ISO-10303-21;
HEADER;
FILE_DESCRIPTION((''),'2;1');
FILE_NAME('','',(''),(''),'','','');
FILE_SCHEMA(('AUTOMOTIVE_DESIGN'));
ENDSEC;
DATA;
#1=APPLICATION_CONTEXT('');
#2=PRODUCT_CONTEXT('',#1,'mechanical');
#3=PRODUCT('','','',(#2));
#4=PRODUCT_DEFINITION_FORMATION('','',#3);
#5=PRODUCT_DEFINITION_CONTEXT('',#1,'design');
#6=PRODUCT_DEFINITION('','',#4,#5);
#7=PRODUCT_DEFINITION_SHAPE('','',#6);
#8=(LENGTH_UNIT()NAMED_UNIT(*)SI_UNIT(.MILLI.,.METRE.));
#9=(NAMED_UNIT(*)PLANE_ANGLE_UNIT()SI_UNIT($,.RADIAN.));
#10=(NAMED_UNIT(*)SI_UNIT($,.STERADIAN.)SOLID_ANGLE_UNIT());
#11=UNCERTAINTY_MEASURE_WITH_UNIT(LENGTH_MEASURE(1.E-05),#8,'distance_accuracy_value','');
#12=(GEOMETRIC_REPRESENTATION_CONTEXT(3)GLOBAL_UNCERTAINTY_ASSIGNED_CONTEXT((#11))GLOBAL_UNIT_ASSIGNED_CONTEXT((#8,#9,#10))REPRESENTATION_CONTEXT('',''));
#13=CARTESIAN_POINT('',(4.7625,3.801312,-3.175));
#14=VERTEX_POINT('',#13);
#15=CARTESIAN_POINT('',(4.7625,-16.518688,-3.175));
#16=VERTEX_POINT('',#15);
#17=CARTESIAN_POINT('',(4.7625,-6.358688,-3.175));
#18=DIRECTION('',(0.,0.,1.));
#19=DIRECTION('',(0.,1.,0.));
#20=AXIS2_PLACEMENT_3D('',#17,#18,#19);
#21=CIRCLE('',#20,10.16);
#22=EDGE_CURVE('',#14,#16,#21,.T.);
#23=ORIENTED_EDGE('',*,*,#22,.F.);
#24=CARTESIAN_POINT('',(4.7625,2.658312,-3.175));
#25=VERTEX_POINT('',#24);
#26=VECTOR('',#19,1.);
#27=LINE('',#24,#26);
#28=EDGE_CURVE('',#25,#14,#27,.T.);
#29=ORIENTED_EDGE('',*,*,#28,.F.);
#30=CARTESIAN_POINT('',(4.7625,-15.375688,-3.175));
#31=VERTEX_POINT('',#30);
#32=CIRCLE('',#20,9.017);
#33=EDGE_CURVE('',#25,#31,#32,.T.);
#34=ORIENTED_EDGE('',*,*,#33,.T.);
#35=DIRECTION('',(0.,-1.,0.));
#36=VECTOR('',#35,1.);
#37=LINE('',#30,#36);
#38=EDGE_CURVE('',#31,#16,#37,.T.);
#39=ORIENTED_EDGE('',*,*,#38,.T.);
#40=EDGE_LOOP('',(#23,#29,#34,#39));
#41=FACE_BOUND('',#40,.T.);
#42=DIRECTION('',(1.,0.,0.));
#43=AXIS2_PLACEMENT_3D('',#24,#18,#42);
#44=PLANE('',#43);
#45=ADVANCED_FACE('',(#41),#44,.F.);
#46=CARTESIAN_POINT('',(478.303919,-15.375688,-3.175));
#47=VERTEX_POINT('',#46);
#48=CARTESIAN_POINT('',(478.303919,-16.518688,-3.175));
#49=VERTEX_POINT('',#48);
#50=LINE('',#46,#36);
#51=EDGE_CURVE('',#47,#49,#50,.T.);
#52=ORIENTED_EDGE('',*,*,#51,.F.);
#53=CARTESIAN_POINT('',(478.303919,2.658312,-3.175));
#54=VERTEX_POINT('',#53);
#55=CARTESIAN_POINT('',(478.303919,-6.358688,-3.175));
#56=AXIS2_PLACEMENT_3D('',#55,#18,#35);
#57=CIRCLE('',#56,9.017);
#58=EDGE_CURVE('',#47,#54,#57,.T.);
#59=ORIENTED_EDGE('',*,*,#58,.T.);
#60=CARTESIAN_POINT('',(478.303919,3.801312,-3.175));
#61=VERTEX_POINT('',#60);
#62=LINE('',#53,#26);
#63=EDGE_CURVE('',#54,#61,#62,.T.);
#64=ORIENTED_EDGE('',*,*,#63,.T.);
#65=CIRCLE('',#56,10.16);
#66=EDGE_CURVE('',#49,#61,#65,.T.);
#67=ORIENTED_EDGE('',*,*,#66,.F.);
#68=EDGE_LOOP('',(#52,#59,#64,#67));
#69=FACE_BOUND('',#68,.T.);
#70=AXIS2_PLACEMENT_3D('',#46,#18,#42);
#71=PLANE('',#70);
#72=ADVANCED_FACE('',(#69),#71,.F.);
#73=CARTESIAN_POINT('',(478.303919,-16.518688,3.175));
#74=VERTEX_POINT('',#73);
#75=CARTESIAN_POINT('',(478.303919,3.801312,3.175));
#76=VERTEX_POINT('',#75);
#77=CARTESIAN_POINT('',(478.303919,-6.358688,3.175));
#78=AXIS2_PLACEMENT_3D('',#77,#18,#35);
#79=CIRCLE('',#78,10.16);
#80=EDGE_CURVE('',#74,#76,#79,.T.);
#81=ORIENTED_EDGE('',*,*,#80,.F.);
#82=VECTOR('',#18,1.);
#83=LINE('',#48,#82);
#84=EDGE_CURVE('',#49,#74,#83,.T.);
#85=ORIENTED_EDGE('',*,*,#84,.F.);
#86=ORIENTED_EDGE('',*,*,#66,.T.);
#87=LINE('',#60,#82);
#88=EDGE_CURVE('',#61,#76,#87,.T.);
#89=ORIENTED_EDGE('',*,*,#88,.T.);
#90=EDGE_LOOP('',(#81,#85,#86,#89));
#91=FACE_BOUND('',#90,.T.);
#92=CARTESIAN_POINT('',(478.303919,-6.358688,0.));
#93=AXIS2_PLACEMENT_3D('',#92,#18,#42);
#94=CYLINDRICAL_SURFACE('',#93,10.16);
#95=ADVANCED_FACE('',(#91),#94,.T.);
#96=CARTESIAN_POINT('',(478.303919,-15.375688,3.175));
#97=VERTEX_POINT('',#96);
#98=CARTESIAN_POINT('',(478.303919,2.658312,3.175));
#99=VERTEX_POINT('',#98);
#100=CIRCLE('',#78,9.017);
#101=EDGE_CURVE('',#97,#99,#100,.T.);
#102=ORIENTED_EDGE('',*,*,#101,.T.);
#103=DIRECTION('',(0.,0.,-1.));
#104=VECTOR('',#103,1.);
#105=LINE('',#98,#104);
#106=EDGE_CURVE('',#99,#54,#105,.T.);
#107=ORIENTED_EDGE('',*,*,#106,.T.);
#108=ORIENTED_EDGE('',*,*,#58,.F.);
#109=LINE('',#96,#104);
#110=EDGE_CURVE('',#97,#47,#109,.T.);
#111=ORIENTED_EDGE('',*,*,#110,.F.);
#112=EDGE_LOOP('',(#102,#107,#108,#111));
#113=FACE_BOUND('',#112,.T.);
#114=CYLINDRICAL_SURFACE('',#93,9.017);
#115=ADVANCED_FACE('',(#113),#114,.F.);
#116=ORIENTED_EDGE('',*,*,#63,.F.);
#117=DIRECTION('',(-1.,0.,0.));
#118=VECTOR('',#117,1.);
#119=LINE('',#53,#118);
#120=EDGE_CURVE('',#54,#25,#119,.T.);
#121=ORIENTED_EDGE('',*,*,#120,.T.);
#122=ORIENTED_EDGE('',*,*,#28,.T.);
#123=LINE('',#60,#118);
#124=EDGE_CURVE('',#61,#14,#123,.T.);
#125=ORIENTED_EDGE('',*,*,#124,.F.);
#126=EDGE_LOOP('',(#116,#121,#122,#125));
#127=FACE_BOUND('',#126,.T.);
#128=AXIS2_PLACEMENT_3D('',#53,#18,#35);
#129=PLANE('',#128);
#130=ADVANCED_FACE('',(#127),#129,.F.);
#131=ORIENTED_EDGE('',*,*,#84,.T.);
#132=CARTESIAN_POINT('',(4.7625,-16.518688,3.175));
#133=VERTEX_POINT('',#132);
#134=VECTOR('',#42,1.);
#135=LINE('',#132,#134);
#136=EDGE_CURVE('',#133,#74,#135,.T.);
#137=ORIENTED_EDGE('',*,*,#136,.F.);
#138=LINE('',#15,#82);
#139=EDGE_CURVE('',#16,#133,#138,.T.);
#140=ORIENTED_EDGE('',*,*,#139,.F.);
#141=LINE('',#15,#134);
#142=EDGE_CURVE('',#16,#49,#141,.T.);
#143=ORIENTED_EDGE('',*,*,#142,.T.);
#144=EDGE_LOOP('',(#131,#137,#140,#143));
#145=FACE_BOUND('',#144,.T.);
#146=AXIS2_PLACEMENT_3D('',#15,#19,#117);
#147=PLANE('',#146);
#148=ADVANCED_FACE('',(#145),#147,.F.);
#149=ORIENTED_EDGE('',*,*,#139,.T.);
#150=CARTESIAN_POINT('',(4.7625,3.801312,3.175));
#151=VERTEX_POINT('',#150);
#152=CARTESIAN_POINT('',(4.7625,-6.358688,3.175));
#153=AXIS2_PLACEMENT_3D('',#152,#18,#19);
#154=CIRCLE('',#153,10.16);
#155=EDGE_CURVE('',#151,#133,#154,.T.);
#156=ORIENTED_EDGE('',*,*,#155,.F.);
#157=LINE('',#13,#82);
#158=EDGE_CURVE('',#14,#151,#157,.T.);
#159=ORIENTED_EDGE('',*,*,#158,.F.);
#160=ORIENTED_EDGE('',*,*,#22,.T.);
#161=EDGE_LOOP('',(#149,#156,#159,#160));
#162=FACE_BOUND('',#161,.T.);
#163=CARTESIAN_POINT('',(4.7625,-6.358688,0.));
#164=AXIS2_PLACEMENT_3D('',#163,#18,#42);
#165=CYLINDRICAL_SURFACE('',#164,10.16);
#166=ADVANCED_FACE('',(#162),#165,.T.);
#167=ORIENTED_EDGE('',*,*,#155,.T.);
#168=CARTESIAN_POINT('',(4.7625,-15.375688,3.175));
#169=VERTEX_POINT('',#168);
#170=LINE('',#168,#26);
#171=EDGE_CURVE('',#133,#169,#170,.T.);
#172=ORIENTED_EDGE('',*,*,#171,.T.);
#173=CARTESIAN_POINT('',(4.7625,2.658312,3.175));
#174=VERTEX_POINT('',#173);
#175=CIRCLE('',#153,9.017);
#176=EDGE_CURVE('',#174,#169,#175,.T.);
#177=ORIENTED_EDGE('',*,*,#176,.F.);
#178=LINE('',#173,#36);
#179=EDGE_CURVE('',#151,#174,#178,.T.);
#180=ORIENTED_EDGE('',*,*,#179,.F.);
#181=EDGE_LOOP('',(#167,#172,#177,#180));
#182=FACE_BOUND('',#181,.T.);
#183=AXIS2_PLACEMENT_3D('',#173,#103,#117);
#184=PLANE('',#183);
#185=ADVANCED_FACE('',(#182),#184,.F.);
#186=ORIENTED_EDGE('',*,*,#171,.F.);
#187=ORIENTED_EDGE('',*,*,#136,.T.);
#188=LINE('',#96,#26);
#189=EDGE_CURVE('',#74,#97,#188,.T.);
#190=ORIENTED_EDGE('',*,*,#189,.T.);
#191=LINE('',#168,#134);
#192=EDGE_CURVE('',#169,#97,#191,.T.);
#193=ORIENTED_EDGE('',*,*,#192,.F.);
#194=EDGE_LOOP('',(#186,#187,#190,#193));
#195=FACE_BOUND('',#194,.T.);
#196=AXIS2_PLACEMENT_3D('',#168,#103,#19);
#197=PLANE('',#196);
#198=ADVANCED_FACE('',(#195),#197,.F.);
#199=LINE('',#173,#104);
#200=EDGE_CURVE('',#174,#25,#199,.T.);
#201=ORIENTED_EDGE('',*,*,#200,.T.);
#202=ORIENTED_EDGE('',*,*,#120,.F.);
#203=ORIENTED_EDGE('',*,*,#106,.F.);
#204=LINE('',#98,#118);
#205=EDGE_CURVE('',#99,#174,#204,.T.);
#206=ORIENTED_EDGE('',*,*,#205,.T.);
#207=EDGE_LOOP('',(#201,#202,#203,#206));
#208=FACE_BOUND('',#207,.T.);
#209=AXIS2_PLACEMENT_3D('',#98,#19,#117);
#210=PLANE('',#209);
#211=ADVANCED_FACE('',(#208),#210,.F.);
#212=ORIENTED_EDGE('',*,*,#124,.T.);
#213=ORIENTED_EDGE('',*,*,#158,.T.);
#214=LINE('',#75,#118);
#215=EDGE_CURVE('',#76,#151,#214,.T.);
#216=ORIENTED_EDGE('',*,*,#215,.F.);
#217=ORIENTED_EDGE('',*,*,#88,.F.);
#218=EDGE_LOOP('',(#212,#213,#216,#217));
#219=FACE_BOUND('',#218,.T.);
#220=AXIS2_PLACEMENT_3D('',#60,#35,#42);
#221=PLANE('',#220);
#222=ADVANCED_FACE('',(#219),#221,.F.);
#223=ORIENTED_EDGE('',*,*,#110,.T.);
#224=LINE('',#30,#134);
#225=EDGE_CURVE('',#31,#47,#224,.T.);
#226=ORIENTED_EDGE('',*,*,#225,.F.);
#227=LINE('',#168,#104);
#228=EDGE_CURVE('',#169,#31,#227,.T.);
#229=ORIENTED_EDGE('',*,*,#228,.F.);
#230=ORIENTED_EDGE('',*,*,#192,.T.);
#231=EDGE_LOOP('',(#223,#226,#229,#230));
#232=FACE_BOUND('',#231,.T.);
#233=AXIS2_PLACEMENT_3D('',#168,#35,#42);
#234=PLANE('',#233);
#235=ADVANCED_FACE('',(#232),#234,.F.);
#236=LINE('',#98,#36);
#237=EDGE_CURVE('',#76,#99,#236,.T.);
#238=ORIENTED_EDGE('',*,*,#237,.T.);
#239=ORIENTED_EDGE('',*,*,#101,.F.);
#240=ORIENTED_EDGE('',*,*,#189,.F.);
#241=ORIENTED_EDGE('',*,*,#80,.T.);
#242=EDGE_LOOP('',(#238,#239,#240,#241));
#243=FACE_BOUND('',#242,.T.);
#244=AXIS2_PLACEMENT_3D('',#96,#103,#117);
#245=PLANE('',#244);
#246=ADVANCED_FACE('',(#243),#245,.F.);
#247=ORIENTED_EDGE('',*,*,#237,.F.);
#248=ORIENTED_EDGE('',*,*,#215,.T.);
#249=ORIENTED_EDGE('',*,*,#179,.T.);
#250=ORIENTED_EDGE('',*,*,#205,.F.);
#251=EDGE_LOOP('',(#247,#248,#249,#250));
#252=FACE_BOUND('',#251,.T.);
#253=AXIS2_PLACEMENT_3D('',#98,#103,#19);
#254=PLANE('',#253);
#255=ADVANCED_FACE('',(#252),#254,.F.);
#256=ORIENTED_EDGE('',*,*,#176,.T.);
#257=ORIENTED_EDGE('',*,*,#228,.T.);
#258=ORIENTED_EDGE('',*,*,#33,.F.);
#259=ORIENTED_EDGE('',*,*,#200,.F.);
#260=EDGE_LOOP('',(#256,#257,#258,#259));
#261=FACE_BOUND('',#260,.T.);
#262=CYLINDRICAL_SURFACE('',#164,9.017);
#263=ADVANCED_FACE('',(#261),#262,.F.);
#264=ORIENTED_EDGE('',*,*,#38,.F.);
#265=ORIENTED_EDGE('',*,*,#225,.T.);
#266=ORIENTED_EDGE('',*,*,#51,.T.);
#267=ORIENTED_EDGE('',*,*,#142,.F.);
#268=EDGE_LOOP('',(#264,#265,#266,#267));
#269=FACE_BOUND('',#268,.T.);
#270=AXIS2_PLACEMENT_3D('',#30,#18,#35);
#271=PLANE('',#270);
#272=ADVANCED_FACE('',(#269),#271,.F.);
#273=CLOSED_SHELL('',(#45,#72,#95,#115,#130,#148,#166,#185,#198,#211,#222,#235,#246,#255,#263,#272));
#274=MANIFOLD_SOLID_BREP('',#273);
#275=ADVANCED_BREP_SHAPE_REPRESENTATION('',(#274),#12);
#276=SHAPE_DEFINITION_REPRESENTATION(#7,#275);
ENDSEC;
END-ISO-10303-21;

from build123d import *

# Parameters (mm, degrees)
SKETCH3_W = 6.35
SKETCH3_H = 1.143


with BuildPart() as part:
    # Sweep1: sweep along a path in Sketch2
    with BuildLine(Plane.XY) as sweep1_path:
        Line((4.7625, 3.801312013), (478.30391864, 3.801312013))
        ThreePointArc((478.30391864, 3.801312013), (488.46391864, -6.358687987), (478.30391864, -16.518687987))
        Line((478.30391864, -16.518687987), (4.7625, -16.518687987))
        ThreePointArc((4.7625, -16.518687987), (-5.3975, -6.358687987), (4.7625, 3.801312013))
    # Sketch3 → Sweep1 (sweep)
    with BuildSketch(Plane(origin=(4.7625, 3.801312013, 0), x_dir=(0, 0, -1), z_dir=(1, 0, 0))):
        with Locations((0, -0.5715)):
            Rectangle(SKETCH3_W, SKETCH3_H)
    sweep(path=sweep1_path.line)


solid = part.part
